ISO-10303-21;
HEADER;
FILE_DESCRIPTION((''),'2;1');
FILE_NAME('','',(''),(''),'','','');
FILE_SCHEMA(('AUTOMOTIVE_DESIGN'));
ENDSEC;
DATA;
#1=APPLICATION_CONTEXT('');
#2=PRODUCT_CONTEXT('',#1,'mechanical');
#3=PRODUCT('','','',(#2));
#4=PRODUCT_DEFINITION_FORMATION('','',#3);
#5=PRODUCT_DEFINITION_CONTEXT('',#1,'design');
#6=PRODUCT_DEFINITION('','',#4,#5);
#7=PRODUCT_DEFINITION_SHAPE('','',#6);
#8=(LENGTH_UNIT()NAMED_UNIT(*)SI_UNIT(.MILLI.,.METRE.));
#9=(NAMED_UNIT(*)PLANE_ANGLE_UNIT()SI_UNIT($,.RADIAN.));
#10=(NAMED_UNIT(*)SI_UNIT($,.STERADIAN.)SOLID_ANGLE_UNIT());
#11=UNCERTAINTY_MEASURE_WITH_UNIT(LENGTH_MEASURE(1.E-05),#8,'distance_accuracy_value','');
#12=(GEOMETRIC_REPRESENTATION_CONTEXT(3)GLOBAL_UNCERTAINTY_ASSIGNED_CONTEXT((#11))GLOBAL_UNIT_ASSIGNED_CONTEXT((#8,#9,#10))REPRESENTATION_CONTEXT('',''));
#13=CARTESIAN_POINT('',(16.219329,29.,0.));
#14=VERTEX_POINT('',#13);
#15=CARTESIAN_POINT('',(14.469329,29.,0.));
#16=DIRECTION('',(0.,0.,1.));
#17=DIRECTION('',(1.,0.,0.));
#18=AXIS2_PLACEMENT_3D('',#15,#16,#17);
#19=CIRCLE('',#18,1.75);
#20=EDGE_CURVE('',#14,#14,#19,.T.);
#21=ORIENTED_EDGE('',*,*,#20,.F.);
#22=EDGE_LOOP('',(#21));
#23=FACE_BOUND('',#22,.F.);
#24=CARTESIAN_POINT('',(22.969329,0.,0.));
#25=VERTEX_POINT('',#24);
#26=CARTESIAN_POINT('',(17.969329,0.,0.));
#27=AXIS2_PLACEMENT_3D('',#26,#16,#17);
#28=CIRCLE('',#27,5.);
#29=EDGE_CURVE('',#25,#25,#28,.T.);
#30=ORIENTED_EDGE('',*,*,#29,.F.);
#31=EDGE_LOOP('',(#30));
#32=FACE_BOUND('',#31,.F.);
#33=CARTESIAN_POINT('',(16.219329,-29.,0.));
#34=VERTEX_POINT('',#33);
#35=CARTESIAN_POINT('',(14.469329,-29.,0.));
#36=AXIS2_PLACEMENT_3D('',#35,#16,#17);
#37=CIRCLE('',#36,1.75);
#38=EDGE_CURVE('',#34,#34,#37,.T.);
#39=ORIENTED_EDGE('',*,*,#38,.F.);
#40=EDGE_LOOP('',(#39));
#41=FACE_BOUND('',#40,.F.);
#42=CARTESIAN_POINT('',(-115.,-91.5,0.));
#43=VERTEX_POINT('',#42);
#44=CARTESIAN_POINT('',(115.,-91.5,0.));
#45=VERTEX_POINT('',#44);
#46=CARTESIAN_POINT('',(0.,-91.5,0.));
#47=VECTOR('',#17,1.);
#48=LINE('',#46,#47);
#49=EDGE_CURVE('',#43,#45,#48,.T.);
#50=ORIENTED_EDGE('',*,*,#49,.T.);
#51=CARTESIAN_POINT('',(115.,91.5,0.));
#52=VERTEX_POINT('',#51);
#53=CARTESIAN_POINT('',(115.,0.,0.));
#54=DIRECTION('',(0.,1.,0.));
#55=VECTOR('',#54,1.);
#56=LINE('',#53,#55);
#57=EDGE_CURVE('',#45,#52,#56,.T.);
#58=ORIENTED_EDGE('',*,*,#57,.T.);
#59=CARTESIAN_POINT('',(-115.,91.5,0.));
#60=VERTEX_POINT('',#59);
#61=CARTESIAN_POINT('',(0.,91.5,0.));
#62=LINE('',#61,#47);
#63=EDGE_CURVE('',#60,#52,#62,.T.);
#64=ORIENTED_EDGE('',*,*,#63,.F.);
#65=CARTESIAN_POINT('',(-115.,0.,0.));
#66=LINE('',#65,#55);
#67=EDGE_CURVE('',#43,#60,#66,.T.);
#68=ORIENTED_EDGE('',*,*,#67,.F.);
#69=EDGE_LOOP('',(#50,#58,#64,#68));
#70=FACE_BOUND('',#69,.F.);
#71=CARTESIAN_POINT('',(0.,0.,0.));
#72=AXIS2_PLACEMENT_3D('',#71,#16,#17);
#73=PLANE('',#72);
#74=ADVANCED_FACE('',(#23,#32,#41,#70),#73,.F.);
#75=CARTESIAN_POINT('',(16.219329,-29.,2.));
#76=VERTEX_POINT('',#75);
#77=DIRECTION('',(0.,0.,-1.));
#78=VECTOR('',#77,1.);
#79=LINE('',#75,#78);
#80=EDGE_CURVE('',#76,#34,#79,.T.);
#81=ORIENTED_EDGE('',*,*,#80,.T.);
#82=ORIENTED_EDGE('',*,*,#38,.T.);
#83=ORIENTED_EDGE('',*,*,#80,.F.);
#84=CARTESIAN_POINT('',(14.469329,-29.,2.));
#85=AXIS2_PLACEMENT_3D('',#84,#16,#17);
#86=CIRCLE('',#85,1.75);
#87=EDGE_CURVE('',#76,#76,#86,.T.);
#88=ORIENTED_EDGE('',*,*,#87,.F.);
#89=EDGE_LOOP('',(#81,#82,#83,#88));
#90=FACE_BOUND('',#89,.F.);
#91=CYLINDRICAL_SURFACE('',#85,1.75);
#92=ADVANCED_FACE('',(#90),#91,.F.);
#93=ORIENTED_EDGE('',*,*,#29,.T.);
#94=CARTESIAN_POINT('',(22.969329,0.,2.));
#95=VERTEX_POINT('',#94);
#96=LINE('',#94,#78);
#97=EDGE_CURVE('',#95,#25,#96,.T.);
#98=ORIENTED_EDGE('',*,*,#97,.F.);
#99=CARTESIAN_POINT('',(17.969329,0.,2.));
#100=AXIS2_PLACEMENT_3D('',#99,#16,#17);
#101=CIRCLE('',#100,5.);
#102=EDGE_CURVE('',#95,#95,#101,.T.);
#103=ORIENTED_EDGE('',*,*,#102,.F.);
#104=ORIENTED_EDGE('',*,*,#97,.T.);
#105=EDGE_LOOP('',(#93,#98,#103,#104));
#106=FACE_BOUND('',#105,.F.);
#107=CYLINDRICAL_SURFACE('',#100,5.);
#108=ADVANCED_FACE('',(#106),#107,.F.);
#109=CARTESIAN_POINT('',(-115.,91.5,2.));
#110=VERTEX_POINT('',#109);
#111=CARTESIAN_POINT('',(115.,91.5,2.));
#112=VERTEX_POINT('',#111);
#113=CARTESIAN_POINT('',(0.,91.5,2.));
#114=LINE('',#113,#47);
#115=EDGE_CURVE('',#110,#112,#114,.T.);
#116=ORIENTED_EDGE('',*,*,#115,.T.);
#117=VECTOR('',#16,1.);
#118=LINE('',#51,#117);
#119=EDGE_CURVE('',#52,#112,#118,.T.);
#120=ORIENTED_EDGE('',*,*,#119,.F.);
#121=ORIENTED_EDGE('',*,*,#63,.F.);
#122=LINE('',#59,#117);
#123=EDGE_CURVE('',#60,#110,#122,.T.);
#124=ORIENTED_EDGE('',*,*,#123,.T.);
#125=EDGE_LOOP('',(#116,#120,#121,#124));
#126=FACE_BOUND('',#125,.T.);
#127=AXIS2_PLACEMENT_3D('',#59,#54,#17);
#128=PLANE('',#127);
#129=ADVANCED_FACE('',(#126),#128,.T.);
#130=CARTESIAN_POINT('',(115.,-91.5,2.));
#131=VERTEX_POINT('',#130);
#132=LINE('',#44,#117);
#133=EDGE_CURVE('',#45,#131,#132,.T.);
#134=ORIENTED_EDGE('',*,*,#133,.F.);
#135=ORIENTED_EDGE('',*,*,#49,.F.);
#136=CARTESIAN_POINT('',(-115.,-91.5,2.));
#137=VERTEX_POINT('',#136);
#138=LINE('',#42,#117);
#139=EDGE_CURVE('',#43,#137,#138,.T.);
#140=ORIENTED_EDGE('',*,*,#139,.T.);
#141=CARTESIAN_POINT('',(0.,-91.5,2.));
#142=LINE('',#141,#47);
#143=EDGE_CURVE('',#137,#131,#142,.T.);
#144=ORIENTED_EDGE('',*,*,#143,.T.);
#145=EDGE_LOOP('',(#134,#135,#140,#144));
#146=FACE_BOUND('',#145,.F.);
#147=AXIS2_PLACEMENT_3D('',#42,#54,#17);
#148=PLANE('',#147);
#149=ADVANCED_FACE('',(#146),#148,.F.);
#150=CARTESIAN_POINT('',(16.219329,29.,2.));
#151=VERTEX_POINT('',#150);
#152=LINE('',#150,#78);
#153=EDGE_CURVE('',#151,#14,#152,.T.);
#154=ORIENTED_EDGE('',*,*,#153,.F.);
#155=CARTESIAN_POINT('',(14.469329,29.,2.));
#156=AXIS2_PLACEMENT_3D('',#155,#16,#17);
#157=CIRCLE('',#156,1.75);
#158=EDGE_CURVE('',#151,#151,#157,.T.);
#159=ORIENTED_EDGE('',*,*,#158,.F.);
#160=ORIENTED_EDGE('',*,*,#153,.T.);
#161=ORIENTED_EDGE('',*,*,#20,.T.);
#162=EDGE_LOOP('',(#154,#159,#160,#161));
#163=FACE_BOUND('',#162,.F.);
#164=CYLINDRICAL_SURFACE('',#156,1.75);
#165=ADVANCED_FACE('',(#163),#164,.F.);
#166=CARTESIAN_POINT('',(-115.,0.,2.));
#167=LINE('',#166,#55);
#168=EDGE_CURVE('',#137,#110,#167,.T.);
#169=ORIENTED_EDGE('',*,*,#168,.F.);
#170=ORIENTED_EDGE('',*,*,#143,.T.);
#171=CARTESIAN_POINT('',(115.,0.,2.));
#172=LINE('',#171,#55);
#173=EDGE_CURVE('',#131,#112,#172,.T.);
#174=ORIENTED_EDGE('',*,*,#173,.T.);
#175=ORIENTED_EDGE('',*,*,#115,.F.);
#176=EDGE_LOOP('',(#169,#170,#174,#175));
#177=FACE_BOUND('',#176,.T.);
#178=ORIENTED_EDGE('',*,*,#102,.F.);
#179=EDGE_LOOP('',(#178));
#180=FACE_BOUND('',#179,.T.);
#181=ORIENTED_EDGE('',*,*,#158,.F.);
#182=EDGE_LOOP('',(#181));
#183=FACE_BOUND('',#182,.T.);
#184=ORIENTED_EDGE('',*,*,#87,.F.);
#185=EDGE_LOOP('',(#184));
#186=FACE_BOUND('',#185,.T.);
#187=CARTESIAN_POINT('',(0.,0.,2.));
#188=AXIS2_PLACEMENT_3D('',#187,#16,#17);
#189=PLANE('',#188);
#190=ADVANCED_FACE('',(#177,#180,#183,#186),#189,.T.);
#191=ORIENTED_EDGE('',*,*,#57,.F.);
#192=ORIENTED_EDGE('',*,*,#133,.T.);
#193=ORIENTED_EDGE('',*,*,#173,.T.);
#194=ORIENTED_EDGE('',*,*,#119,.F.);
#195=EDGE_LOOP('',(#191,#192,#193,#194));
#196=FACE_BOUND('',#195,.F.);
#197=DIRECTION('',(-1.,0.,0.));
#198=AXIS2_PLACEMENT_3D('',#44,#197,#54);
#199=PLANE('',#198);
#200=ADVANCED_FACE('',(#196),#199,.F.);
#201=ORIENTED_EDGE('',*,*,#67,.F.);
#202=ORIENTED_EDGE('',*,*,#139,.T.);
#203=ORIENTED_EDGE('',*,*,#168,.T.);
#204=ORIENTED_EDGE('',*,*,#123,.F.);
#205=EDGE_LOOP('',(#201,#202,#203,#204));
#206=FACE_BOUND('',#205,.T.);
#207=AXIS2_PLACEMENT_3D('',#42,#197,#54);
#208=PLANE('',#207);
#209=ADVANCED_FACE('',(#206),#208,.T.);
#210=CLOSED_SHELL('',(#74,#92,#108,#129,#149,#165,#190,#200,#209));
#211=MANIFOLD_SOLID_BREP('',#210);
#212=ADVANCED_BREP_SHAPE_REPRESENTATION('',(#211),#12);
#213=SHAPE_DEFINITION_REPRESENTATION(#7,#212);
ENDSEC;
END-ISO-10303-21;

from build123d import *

# Parameters (mm, degrees)
F0_W     = 230
F0_H     = 183
F1_DEPTH = 2
F2_R     = 5
F3_DEPTH = 2.001
F4_R     = 1.75
F5_DEPTH = 2.001


with BuildPart() as f1:
    # F0 (on Top) → F1 (new body)
    with BuildSketch(Plane.XY):
        Rectangle(F0_W, F0_H)
    extrude(amount=F1_DEPTH)

    # F2 (on face) → F3 (cut, through all)
    with BuildSketch(Plane.XY.offset(2)):
        with Locations((17.969329, 0)):
            Circle(F2_R)
    extrude(amount=-F3_DEPTH, mode=Mode.SUBTRACT)

    # F4 (on face) → F5 (cut, through all)
    with BuildSketch(Plane.XY.offset(2)):
        with Locations((14.469329, 29)):
            Circle(F4_R)
        with Locations((14.469329, -29)):
            Circle(F4_R)
    extrude(amount=-F5_DEPTH, mode=Mode.SUBTRACT)


solid = f1.part
